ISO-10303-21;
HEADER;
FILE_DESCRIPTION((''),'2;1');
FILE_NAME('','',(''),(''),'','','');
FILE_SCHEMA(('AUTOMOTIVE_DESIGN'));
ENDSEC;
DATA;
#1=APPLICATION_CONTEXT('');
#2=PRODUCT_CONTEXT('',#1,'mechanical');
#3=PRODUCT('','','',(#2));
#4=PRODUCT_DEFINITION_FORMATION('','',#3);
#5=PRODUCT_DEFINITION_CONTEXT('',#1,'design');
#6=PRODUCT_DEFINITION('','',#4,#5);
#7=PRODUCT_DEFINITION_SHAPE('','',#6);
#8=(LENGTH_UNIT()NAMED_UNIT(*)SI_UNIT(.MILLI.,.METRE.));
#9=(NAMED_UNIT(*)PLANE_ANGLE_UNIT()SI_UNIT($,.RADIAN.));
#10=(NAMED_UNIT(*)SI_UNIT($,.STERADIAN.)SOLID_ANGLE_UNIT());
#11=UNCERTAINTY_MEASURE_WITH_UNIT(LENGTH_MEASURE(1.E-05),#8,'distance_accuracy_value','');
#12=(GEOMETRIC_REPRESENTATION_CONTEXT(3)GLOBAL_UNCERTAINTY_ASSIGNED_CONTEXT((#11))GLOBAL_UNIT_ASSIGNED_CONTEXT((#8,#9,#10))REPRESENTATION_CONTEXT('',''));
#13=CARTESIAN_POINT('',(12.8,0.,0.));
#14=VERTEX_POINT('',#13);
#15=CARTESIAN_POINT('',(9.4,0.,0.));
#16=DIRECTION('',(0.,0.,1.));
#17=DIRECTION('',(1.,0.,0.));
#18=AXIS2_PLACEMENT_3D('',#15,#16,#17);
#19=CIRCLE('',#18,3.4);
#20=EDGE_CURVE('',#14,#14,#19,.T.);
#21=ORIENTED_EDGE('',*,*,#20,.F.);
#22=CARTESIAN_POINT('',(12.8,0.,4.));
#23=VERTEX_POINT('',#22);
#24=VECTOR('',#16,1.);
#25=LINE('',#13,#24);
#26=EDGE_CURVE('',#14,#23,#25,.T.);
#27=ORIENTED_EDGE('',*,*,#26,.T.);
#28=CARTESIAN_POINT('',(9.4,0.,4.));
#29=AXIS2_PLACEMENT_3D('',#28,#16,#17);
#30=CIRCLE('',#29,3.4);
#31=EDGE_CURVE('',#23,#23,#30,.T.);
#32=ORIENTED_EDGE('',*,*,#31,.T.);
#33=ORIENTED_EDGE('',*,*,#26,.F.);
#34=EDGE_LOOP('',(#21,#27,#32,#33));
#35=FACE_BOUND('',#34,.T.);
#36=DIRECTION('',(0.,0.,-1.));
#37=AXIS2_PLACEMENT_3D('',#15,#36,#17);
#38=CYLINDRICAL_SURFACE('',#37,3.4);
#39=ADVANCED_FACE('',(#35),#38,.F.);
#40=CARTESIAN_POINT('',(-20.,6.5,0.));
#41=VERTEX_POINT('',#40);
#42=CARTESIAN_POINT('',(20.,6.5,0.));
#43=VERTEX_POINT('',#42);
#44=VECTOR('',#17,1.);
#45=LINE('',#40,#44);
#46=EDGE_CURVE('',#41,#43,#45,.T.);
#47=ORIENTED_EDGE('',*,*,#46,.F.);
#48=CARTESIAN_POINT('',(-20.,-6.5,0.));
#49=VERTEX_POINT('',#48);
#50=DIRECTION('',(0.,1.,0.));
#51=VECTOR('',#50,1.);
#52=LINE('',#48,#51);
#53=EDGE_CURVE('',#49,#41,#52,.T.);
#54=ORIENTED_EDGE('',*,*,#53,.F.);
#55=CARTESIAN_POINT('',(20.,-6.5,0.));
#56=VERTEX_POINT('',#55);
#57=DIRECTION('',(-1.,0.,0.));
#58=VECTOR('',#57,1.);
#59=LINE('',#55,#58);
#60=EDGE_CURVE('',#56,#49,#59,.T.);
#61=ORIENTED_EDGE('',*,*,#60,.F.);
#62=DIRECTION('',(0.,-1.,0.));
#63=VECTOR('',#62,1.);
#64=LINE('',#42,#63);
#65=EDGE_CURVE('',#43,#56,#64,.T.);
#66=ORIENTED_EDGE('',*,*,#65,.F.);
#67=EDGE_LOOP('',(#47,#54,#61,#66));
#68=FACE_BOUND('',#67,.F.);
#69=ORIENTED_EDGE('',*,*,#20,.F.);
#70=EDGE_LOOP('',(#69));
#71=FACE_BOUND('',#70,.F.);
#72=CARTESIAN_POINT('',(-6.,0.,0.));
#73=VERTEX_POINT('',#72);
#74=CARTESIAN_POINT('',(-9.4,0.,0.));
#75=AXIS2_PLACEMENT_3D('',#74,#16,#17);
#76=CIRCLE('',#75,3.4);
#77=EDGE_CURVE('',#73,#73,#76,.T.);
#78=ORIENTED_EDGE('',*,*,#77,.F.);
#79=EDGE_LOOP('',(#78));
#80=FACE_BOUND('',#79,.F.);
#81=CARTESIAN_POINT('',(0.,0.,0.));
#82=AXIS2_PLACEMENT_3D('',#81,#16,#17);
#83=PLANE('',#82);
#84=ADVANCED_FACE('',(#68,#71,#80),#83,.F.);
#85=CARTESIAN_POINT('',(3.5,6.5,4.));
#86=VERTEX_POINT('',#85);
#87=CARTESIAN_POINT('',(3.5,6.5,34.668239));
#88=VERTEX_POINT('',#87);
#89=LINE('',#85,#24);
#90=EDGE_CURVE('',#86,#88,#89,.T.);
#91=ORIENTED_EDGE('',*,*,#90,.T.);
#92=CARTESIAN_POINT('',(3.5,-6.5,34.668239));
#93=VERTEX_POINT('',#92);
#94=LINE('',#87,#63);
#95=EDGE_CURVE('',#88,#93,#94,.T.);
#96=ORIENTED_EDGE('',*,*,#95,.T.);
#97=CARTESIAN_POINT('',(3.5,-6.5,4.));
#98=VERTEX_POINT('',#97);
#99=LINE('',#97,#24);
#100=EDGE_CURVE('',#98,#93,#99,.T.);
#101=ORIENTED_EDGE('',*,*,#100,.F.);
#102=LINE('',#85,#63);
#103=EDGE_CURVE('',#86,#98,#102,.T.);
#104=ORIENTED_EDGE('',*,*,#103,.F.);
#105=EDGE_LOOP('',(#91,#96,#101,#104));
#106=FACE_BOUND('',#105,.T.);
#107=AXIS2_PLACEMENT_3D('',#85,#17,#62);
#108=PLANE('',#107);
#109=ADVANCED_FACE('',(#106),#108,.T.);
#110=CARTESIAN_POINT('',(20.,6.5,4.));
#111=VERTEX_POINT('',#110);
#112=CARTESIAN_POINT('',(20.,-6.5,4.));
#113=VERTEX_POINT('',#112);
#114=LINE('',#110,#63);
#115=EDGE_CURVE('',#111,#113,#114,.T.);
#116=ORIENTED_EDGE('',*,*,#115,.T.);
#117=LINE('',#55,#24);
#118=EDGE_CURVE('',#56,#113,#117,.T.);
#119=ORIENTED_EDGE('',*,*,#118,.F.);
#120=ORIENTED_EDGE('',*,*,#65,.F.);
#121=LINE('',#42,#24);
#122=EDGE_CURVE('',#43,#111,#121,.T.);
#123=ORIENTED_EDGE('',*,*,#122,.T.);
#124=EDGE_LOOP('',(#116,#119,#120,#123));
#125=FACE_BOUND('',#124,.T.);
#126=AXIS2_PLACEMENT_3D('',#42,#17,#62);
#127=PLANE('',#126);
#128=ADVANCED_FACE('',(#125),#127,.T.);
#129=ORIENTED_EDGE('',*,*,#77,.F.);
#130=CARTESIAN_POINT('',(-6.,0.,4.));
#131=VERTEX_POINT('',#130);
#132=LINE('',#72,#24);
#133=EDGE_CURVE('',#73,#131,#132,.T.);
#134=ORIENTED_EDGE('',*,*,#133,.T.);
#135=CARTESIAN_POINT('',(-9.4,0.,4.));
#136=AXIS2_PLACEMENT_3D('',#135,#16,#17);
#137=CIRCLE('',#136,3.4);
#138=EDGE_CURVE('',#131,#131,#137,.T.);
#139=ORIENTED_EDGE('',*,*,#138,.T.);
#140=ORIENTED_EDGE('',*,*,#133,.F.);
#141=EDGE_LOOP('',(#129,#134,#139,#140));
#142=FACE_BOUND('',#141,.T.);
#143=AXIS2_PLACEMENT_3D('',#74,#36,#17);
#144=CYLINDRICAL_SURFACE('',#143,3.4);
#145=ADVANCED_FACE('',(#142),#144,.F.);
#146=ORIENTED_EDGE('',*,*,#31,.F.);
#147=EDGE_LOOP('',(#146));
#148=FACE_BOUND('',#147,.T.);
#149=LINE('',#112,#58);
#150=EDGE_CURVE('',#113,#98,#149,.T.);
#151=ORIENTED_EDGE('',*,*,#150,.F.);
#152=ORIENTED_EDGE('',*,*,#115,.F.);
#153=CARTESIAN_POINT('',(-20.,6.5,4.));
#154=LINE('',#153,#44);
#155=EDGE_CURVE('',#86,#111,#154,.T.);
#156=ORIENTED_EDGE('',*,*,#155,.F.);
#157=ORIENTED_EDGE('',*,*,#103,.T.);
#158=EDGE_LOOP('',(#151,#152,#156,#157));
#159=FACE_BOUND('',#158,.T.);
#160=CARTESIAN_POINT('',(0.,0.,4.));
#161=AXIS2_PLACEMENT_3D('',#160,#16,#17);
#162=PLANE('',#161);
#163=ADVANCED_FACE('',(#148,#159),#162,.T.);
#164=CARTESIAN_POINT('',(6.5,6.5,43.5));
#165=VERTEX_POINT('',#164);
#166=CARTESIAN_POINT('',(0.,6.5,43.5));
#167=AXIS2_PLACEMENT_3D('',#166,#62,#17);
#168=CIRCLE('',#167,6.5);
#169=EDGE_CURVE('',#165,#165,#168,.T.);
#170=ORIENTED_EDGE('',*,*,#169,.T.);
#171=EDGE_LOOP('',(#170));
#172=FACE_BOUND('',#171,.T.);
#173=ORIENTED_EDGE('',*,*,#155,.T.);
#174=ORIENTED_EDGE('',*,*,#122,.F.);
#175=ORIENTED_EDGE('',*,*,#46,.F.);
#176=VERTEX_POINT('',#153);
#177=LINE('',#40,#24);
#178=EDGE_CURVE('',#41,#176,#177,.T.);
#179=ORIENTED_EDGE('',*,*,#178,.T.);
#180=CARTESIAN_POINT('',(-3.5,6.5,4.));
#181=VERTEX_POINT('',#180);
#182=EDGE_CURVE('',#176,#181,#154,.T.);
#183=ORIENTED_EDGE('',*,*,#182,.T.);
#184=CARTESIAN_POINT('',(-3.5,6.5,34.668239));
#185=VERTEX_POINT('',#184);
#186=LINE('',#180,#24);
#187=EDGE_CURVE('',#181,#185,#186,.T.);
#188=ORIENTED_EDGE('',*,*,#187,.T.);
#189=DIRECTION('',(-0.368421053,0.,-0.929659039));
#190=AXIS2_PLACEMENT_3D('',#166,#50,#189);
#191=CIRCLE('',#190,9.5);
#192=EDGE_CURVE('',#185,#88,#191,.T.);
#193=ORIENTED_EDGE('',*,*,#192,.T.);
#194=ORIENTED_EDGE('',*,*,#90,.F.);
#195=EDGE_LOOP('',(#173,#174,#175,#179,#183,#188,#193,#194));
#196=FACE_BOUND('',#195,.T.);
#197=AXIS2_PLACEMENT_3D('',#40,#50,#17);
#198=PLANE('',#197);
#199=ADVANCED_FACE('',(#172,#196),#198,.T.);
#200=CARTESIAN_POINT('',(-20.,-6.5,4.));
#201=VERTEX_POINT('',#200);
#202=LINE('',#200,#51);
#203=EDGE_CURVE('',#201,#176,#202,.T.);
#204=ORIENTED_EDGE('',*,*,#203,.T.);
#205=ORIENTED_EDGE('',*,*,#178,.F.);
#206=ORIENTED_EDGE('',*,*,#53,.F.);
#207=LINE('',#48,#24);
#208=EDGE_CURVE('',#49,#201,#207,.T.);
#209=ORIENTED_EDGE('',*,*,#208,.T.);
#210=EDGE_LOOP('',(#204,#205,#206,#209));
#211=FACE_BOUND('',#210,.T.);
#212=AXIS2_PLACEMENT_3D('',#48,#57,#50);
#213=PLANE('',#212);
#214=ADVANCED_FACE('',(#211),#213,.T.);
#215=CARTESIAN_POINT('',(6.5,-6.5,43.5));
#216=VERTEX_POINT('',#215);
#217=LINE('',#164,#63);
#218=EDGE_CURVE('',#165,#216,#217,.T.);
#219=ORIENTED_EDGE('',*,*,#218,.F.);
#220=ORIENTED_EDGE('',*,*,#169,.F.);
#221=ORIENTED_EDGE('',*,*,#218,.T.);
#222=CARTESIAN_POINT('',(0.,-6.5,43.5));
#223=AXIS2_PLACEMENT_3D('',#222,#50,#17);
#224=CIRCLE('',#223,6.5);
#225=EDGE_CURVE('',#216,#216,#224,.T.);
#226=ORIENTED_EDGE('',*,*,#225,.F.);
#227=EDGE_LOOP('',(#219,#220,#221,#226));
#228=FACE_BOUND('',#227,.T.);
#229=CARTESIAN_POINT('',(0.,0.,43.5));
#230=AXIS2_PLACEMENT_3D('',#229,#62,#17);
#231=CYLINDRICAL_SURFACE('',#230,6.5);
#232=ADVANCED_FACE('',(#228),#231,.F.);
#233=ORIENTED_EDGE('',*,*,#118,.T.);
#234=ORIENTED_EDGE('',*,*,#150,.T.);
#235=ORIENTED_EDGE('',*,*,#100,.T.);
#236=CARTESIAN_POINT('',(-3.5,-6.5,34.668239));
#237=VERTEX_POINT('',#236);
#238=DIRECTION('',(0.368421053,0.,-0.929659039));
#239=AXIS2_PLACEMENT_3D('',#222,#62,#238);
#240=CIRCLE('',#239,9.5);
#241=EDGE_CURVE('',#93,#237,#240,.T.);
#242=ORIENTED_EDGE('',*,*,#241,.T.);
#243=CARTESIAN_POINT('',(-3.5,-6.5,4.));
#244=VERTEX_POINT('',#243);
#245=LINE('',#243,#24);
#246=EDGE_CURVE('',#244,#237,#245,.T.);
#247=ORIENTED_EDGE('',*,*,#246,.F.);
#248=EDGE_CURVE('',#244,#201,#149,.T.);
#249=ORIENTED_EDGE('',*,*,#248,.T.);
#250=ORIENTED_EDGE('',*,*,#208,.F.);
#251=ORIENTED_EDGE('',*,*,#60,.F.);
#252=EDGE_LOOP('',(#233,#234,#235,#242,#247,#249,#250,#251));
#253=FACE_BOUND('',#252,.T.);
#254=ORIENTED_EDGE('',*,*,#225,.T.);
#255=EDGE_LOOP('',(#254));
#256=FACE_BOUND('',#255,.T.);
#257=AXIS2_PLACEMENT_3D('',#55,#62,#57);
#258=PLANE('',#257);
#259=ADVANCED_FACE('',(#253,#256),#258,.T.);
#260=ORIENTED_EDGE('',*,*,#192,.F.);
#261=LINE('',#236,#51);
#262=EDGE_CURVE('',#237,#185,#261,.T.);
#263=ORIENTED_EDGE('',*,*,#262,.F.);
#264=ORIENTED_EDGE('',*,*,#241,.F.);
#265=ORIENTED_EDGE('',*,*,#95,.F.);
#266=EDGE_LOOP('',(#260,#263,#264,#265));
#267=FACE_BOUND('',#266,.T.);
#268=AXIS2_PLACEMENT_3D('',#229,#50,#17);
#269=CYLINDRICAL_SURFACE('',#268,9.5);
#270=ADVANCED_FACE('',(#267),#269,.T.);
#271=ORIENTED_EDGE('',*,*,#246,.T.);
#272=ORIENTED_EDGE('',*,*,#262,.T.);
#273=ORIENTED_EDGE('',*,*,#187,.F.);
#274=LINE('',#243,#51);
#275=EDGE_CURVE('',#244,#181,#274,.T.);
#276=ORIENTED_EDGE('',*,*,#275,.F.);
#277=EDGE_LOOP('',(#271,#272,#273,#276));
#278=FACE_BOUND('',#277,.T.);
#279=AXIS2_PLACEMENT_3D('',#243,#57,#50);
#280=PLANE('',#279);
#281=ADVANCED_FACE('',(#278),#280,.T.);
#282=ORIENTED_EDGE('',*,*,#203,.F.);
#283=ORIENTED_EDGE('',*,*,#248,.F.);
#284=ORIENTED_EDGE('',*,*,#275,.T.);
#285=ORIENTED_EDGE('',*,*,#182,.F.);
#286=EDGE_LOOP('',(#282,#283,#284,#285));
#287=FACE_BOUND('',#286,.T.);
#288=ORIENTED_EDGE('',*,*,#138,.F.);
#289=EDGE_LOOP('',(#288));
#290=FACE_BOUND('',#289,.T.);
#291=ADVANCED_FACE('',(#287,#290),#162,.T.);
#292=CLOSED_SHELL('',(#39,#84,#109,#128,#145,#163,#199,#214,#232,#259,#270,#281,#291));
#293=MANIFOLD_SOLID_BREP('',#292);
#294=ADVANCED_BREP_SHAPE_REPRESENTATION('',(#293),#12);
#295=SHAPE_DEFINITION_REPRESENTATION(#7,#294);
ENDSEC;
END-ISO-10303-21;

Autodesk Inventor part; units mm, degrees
ref_plane "YZ Plane" through (0, 0, 0) normal (1, 0, 0) x (0, 1, 0)
ref_plane "XZ Plane" through (0, 0, 0) normal (0, 1, 0) x (-1, 0, 0)
sketch "草圖1" plane through (0, 0, 0) normal (0, 0, 1) x (1, 0, 0)
  line L0 (-20, 6.5) -> (20, 6.5)
  line L1 (20, 6.5) -> (20, -6.5)
  line L2 (20, -6.5) -> (-20, -6.5)
  line L3 (-20, -6.5) -> (-20, 6.5)
  line L4 (-20, 6.5) -> (20, -6.5) construction
  line L5 (20, 6.5) -> (-20, -6.5) construction
  circle A0 centre (-9.4, 0) radius 3.4
  circle A1 centre (9.4, 0) radius 3.4
  point P0 (0, 0)
  dimension "d0" = 40
  dimension "d1" = 13
  dimension "d2" = 6.8
  dimension "d3" = 6.8
extrude "擠出1" add sketch "草圖1" along normal blind 4
sketch "草圖3" plane through (0, 0, 4) normal (0, 0, 1) x (1, 0, 0)
  line L0 (3.5, -6.5) -> (-3.5, -6.5)
  line L1 (-3.5, -6.5) -> (-3.5, 6.5)
  line L2 (-3.5, 6.5) -> (3.5, 6.5)
  line L3 (3.5, 6.5) -> (3.5, -6.5)
  line L4 (3.5, -6.5) -> (-3.5, 6.5) construction
  line L5 (-3.5, -6.5) -> (3.5, 6.5) construction
  point P0 (0, 0)
  dimension "d8" = 7
  dimension "d9" = 13
extrude "擠出2" add sketch "草圖3" along normal blind 33
ref_plane "工作平面3" through (-20, 0, 0) normal (0, 1, 0) x (1, 0, 0)
sketch "草圖5" plane through (-20, 0, 0) normal (0, 1, 0) x (1, 0, 0)
  circle A0 centre (20, -43.5) radius 6.5
  circle A1 centre (20, -43.5) radius 9.5
  point P0 (20, 0)
  dimension "d22" = 13
  dimension "d23" = 19
extrude "擠出4" add sketch "草圖5" along normal mid plane 13
properties part number "T字形固定件v2"
